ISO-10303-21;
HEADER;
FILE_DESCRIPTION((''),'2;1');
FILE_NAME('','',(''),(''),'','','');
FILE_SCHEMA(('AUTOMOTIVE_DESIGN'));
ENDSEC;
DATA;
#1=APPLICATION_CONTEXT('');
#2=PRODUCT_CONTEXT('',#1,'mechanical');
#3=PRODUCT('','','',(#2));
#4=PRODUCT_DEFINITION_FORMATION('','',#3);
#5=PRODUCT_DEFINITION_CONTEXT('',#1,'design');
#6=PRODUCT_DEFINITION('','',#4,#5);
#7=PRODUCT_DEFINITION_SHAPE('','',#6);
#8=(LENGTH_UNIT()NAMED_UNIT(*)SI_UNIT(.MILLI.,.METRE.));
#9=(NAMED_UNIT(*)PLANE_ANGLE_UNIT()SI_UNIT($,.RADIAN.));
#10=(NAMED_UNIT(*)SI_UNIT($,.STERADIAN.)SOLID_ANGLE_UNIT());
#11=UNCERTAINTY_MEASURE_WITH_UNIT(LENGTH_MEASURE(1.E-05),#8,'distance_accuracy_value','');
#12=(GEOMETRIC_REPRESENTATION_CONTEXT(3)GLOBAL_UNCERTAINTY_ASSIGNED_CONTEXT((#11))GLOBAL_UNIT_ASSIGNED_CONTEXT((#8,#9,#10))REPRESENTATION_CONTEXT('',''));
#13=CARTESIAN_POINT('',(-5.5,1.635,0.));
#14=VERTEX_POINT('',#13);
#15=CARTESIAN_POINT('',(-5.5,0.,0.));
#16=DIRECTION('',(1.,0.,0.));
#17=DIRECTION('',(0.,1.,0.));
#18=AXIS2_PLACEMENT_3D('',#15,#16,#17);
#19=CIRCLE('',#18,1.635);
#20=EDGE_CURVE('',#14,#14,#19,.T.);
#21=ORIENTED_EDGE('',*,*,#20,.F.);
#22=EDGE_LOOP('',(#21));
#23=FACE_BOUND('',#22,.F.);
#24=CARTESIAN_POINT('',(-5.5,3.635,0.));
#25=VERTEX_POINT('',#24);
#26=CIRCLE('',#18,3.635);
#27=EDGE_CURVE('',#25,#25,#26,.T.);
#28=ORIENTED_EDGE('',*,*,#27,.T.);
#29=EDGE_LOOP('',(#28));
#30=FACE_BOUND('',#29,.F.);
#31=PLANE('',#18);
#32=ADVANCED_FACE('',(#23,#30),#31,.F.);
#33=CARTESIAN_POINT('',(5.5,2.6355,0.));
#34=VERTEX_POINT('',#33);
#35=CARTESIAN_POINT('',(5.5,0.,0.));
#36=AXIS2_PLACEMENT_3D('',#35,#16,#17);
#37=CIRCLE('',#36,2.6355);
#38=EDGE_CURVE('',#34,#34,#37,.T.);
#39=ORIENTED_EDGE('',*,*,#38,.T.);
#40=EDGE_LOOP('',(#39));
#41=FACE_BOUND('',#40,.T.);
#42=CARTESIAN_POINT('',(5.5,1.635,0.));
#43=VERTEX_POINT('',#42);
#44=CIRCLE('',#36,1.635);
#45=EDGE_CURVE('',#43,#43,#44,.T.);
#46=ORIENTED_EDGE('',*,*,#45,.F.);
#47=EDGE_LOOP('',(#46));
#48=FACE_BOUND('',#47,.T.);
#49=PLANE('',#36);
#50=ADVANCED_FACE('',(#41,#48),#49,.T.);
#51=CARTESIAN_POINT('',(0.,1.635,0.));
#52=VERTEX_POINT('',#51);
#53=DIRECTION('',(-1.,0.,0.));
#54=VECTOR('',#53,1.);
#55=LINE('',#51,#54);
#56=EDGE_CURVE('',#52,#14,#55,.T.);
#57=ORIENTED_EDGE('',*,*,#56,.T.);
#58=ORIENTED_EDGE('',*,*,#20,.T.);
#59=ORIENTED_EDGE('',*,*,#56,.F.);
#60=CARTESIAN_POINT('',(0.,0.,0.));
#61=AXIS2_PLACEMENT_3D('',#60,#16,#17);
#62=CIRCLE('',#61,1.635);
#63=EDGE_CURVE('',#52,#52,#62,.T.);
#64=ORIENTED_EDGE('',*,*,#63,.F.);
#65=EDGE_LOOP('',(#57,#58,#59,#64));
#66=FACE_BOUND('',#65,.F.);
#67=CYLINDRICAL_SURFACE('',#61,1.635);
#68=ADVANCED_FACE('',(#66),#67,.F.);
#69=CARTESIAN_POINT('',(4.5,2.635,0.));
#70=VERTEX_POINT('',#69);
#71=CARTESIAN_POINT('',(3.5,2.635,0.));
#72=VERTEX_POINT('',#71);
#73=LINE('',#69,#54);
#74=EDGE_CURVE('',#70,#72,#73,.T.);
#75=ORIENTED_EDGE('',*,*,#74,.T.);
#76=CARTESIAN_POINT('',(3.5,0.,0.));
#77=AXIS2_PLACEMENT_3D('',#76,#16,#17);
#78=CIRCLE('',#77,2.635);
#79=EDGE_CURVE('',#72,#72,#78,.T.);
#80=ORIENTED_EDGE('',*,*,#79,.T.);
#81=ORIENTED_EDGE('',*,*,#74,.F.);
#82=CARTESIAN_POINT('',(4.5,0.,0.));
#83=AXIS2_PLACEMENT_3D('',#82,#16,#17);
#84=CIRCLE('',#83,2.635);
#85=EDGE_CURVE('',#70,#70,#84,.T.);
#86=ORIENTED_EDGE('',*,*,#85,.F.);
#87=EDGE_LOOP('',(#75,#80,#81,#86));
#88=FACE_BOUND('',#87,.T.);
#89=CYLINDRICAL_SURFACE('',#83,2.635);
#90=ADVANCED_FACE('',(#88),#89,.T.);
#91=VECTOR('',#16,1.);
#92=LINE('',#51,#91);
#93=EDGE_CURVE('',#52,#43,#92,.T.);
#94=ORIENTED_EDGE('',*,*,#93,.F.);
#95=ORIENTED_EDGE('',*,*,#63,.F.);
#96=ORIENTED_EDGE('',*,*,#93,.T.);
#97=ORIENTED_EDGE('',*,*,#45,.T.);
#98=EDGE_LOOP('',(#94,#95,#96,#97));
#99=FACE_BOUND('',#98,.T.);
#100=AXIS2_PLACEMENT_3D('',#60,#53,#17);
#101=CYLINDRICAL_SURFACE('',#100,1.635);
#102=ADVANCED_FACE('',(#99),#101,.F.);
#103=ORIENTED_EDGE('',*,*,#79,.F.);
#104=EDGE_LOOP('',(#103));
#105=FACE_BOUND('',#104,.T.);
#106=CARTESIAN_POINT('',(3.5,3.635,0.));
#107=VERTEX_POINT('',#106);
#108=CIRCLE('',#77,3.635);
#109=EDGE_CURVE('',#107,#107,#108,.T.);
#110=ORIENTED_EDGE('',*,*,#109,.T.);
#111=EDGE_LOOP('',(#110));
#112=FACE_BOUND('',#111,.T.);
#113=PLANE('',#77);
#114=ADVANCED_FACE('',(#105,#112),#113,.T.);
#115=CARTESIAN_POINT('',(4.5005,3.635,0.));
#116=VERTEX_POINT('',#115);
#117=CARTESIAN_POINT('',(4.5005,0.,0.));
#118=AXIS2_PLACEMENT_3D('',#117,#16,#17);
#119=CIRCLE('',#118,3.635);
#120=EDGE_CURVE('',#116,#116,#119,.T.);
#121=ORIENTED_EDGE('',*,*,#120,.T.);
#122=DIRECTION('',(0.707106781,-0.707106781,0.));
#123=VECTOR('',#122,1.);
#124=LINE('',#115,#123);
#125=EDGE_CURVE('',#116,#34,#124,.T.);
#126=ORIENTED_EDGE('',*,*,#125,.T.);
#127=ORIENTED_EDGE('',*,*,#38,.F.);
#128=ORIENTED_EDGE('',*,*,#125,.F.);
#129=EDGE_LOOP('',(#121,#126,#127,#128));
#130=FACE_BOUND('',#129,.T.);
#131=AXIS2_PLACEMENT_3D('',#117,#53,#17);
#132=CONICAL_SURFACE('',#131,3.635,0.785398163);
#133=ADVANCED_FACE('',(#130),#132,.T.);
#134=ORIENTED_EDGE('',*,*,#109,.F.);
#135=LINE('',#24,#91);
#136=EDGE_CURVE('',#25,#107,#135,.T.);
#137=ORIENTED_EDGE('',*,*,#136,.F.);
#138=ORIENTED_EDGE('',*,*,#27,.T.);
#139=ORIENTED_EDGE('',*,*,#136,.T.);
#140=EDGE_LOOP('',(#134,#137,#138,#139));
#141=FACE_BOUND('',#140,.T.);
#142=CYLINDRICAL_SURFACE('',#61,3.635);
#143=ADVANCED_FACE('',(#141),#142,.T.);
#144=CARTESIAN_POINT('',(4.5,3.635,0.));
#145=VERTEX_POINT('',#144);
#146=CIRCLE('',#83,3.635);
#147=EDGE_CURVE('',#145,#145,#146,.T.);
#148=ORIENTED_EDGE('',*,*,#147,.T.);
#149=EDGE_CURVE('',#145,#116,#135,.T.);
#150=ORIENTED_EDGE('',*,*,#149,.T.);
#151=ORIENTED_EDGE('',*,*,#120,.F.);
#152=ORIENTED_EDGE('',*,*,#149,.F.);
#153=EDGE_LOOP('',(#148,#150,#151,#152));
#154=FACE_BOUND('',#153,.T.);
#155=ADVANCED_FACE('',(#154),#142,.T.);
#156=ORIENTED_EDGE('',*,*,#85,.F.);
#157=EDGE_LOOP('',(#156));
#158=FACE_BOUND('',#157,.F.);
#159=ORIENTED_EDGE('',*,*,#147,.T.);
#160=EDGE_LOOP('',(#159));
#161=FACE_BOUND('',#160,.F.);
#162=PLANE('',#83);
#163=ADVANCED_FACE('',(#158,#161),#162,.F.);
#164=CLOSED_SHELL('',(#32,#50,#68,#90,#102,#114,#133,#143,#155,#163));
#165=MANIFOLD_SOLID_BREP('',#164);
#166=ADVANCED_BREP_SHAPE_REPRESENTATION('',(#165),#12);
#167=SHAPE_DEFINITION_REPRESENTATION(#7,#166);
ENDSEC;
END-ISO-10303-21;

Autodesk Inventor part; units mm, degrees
ref_plane "YZ Plane" through (0, 0, 0) normal (1, 0, 0) x (0, 1, 0)
ref_plane "XZ Plane" through (0, 0, 0) normal (0, 1, 0) x (-1, 0, 0)
sketch "スケッチ1" plane through (0, 0, 0) normal (1, 0, 0) x (0, 1, 0)
  circle A0 centre (0, 0) radius 3.635
  circle A1 centre (0, 0) radius 1.635
  circle A2 centre (0, 0) radius 2.635
  dimension "d0" = 3.27
  dimension "d1" = 2
  dimension "d7" = 1
extrude "押し出し1" add sketch "スケッチ1" along normal mid plane 11 contours A0 | A2
ref_plane "作業平面1" through (4.5, 0, 0) normal (1, 0, 0) x (0, 0, -1)
extrude "押し出し3" cut sketch "スケッチ1" against normal blind 1 from surface at 4.5 contours A0
chamfer "面取り3" distance 1 angle 45 1 edges at (5.5, -3.635, 0)
properties part number "spacer_Φ3.2_1"
